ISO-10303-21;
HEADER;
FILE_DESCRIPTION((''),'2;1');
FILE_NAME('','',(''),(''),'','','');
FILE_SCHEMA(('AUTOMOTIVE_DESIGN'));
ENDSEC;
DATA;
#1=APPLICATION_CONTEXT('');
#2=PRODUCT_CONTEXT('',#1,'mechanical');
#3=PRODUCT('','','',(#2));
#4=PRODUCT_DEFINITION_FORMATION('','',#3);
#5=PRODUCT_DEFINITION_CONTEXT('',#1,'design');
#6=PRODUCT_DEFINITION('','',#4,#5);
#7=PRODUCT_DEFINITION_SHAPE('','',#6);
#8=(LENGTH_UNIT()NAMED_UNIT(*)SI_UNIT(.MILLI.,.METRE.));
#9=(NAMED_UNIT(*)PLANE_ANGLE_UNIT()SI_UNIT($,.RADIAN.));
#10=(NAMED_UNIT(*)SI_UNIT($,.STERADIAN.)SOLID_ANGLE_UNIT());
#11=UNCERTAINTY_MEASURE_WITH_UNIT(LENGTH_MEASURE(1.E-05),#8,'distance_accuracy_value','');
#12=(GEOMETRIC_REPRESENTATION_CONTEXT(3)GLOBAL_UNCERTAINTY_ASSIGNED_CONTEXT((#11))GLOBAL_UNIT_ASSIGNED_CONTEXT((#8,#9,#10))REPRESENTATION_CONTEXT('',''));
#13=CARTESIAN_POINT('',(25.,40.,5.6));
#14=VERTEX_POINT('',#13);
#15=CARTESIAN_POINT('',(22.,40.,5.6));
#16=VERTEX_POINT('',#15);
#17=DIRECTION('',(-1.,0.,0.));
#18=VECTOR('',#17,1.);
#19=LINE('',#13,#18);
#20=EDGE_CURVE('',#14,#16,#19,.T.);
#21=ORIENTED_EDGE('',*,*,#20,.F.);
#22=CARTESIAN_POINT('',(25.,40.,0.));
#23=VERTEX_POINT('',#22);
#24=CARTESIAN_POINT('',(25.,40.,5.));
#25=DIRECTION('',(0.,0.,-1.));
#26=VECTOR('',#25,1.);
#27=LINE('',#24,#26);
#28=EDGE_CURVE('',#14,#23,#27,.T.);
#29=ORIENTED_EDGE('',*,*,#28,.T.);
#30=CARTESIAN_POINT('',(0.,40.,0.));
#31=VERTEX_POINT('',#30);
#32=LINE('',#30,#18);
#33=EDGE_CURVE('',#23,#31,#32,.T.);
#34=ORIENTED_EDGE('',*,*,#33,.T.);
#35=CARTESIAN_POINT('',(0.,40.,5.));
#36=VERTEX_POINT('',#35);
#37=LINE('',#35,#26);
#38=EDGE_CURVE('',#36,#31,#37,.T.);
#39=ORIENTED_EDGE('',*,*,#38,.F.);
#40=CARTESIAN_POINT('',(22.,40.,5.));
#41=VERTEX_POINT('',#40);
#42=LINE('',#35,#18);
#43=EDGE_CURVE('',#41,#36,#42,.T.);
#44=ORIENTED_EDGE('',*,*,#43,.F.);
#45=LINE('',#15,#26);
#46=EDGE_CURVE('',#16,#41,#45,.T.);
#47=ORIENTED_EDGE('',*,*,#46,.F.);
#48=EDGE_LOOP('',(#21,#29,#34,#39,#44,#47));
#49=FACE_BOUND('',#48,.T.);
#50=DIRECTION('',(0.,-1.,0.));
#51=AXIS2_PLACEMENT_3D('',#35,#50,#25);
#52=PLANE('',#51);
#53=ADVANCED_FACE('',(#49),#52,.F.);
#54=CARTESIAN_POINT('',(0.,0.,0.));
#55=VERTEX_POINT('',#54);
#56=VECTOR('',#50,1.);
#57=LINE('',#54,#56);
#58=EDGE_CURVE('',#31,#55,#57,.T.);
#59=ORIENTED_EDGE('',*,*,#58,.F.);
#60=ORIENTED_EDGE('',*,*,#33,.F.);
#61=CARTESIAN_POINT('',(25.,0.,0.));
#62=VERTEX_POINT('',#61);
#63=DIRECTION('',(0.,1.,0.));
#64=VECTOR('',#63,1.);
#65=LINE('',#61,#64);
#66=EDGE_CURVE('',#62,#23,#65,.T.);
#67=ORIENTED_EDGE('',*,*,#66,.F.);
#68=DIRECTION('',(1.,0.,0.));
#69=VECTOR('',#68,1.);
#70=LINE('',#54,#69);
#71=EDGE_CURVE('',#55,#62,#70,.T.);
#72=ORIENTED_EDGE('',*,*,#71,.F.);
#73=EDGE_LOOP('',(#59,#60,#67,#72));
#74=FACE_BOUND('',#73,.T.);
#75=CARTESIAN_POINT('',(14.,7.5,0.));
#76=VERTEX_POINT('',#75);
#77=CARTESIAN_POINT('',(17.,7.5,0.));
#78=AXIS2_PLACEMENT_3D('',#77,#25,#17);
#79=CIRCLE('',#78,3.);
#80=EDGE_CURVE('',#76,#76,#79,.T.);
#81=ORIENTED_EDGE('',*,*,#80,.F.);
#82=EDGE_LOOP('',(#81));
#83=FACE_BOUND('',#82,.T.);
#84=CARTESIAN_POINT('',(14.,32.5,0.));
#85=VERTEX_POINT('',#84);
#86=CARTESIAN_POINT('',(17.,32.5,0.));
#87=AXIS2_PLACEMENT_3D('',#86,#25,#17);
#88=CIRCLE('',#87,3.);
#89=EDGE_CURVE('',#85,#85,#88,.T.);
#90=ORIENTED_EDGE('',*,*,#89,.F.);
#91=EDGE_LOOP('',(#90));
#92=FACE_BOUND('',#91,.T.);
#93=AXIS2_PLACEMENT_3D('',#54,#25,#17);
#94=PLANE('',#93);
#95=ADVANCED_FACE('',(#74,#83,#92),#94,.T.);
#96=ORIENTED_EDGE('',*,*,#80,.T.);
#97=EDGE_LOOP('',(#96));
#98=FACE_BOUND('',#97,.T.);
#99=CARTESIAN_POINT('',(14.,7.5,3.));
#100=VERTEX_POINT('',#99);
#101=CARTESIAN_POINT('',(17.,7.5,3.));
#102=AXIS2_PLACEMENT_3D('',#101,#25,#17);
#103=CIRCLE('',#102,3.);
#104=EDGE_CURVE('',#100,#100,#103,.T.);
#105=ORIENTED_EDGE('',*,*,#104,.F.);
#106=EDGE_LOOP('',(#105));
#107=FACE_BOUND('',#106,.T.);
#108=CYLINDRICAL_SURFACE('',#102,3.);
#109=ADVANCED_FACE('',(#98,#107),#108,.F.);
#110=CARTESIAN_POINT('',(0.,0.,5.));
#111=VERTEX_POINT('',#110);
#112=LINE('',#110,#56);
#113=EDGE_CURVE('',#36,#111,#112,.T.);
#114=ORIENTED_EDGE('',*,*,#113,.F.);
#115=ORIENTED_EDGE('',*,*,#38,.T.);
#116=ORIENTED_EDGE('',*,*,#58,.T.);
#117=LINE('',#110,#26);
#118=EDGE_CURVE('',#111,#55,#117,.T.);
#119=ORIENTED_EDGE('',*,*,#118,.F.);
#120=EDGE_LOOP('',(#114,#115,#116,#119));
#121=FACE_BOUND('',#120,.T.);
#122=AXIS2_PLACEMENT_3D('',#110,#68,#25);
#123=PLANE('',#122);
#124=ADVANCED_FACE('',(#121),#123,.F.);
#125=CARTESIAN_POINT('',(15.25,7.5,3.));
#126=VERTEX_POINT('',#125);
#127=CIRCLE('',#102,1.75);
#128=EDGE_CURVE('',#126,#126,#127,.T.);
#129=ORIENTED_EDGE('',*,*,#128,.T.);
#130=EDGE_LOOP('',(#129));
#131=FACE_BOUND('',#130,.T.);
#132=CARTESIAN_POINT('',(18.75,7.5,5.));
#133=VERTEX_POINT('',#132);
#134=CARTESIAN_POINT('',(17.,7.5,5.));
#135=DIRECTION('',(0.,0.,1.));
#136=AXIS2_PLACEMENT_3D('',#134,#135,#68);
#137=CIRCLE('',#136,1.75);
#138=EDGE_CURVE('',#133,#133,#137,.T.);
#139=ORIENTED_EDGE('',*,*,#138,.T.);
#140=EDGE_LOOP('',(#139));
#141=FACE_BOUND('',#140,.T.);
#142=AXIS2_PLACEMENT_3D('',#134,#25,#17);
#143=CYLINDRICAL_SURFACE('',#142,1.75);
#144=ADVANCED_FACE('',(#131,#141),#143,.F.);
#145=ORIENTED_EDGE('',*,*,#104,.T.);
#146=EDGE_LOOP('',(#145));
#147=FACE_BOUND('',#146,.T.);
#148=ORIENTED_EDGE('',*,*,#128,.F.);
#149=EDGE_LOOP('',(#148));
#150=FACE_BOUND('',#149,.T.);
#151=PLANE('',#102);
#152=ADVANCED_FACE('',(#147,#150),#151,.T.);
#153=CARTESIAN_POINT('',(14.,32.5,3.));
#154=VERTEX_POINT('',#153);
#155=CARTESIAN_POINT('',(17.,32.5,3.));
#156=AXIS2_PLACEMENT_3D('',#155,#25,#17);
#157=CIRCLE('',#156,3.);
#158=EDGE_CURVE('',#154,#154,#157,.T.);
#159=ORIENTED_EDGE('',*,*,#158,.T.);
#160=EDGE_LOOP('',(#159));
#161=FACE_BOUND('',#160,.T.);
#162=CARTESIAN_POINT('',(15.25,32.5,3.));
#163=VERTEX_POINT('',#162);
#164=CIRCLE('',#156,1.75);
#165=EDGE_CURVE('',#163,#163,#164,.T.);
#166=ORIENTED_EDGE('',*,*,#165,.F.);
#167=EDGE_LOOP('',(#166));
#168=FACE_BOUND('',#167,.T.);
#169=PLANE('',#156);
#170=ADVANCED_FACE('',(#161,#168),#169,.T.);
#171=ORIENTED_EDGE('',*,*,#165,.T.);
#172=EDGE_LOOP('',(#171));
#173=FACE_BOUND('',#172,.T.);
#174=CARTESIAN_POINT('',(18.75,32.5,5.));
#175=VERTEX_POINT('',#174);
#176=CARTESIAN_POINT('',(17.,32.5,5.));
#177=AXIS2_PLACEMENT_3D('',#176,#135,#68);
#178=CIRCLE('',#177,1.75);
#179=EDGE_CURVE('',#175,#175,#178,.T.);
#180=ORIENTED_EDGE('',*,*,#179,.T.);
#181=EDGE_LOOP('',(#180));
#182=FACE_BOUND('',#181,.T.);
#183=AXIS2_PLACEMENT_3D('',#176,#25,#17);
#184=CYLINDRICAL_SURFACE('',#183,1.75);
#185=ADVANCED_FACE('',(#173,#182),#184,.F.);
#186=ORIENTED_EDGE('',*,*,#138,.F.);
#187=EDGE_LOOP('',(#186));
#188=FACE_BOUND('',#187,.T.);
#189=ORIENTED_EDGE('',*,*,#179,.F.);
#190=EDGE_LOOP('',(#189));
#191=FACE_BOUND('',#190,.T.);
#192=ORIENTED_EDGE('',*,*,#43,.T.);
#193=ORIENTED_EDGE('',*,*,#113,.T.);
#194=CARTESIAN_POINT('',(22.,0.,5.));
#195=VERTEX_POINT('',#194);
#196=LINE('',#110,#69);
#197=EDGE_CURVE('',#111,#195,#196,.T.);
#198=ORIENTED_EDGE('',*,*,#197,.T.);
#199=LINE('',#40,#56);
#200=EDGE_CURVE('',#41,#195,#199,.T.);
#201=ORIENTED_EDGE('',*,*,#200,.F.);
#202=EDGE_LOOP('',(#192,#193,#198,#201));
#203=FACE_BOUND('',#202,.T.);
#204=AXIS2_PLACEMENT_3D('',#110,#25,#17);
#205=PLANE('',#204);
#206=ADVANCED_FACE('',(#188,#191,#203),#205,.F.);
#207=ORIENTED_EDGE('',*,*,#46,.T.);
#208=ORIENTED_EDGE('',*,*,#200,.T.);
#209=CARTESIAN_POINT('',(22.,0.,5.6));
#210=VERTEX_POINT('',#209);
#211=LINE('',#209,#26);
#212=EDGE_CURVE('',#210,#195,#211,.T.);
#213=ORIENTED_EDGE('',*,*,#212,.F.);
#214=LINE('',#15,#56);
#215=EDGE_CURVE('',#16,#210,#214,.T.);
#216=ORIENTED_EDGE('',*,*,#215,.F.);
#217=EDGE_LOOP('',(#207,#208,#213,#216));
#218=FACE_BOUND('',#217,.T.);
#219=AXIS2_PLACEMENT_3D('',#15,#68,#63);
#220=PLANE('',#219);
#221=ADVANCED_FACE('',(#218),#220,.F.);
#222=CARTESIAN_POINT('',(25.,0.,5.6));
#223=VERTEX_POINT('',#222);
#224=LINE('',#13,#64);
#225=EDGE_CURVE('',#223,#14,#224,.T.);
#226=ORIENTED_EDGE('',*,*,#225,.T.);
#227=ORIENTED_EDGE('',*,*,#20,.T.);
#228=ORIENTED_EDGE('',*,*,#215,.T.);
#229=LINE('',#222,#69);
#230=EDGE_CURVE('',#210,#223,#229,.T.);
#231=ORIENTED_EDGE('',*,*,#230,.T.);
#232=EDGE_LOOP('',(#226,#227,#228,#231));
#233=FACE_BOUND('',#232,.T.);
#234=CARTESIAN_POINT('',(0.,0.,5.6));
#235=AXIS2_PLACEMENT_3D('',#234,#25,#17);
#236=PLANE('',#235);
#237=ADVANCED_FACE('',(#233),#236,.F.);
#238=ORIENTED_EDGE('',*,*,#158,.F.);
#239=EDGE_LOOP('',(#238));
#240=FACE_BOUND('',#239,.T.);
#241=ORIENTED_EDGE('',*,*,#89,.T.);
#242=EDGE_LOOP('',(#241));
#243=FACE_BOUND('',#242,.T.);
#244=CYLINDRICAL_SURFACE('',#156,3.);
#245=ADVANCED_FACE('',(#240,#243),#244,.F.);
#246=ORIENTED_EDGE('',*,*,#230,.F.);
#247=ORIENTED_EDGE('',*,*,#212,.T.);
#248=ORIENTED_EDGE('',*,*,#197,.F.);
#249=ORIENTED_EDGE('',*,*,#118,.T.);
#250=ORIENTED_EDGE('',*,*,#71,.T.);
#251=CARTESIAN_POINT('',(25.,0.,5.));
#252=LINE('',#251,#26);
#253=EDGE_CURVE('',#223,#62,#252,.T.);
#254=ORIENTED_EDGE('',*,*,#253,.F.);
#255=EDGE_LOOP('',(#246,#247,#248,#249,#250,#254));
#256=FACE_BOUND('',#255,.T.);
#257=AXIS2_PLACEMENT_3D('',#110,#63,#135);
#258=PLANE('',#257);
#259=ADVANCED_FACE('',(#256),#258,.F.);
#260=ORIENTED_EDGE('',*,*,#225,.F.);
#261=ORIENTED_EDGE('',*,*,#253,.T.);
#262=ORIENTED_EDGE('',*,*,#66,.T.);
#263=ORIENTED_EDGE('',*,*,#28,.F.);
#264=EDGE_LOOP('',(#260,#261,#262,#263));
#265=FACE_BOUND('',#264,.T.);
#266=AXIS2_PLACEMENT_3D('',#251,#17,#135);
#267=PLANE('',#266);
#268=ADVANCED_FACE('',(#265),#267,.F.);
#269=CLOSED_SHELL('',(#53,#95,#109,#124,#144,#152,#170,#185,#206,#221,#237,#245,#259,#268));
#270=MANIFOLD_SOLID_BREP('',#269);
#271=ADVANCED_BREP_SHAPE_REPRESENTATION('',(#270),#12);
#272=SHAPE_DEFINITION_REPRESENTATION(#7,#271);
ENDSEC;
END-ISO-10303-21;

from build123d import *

# Parameters (mm, degrees)
SKETCH1_W           = 25
SKETCH1_H           = 40
SKETCH1_R           = 1.75
BOSS_EXTRUDE1_DEPTH = 5
SKETCH2_W           = 3
SKETCH2_H           = 40
BOSS_EXTRUDE2_DEPTH = 0.6
SKETCH3_R           = 3
CUT_EXTRUDE1_DEPTH  = 3


with BuildPart() as part:
    # Sketch1 → Boss-Extrude1 (new body)
    with BuildSketch(Plane.XY):
        with Locations((12.5, 20)):
            Rectangle(SKETCH1_W, SKETCH1_H)
        with Locations((17, 32.5)):
            Circle(SKETCH1_R, mode=Mode.SUBTRACT)
        with Locations((17, 7.5)):
            Circle(SKETCH1_R, mode=Mode.SUBTRACT)
    extrude(amount=BOSS_EXTRUDE1_DEPTH)

    # Sketch2 → Boss-Extrude2 (add)
    with BuildSketch(Plane.XY.offset(5)):
        with Locations((23.5, 20)):
            Rectangle(SKETCH2_W, SKETCH2_H)
    extrude(amount=BOSS_EXTRUDE2_DEPTH)

    # Sketch3 → Cut-Extrude1 (cut)
    with BuildSketch(Plane(origin=(0, 0, 0), x_dir=(-1, 0, 0), z_dir=(0, 0, -1))):
        with Locations((-17, 7.5)):
            Circle(SKETCH3_R)
        with Locations((-17, 32.5)):
            Circle(SKETCH3_R)
    extrude(amount=-CUT_EXTRUDE1_DEPTH, mode=Mode.SUBTRACT)


solid = part.part
